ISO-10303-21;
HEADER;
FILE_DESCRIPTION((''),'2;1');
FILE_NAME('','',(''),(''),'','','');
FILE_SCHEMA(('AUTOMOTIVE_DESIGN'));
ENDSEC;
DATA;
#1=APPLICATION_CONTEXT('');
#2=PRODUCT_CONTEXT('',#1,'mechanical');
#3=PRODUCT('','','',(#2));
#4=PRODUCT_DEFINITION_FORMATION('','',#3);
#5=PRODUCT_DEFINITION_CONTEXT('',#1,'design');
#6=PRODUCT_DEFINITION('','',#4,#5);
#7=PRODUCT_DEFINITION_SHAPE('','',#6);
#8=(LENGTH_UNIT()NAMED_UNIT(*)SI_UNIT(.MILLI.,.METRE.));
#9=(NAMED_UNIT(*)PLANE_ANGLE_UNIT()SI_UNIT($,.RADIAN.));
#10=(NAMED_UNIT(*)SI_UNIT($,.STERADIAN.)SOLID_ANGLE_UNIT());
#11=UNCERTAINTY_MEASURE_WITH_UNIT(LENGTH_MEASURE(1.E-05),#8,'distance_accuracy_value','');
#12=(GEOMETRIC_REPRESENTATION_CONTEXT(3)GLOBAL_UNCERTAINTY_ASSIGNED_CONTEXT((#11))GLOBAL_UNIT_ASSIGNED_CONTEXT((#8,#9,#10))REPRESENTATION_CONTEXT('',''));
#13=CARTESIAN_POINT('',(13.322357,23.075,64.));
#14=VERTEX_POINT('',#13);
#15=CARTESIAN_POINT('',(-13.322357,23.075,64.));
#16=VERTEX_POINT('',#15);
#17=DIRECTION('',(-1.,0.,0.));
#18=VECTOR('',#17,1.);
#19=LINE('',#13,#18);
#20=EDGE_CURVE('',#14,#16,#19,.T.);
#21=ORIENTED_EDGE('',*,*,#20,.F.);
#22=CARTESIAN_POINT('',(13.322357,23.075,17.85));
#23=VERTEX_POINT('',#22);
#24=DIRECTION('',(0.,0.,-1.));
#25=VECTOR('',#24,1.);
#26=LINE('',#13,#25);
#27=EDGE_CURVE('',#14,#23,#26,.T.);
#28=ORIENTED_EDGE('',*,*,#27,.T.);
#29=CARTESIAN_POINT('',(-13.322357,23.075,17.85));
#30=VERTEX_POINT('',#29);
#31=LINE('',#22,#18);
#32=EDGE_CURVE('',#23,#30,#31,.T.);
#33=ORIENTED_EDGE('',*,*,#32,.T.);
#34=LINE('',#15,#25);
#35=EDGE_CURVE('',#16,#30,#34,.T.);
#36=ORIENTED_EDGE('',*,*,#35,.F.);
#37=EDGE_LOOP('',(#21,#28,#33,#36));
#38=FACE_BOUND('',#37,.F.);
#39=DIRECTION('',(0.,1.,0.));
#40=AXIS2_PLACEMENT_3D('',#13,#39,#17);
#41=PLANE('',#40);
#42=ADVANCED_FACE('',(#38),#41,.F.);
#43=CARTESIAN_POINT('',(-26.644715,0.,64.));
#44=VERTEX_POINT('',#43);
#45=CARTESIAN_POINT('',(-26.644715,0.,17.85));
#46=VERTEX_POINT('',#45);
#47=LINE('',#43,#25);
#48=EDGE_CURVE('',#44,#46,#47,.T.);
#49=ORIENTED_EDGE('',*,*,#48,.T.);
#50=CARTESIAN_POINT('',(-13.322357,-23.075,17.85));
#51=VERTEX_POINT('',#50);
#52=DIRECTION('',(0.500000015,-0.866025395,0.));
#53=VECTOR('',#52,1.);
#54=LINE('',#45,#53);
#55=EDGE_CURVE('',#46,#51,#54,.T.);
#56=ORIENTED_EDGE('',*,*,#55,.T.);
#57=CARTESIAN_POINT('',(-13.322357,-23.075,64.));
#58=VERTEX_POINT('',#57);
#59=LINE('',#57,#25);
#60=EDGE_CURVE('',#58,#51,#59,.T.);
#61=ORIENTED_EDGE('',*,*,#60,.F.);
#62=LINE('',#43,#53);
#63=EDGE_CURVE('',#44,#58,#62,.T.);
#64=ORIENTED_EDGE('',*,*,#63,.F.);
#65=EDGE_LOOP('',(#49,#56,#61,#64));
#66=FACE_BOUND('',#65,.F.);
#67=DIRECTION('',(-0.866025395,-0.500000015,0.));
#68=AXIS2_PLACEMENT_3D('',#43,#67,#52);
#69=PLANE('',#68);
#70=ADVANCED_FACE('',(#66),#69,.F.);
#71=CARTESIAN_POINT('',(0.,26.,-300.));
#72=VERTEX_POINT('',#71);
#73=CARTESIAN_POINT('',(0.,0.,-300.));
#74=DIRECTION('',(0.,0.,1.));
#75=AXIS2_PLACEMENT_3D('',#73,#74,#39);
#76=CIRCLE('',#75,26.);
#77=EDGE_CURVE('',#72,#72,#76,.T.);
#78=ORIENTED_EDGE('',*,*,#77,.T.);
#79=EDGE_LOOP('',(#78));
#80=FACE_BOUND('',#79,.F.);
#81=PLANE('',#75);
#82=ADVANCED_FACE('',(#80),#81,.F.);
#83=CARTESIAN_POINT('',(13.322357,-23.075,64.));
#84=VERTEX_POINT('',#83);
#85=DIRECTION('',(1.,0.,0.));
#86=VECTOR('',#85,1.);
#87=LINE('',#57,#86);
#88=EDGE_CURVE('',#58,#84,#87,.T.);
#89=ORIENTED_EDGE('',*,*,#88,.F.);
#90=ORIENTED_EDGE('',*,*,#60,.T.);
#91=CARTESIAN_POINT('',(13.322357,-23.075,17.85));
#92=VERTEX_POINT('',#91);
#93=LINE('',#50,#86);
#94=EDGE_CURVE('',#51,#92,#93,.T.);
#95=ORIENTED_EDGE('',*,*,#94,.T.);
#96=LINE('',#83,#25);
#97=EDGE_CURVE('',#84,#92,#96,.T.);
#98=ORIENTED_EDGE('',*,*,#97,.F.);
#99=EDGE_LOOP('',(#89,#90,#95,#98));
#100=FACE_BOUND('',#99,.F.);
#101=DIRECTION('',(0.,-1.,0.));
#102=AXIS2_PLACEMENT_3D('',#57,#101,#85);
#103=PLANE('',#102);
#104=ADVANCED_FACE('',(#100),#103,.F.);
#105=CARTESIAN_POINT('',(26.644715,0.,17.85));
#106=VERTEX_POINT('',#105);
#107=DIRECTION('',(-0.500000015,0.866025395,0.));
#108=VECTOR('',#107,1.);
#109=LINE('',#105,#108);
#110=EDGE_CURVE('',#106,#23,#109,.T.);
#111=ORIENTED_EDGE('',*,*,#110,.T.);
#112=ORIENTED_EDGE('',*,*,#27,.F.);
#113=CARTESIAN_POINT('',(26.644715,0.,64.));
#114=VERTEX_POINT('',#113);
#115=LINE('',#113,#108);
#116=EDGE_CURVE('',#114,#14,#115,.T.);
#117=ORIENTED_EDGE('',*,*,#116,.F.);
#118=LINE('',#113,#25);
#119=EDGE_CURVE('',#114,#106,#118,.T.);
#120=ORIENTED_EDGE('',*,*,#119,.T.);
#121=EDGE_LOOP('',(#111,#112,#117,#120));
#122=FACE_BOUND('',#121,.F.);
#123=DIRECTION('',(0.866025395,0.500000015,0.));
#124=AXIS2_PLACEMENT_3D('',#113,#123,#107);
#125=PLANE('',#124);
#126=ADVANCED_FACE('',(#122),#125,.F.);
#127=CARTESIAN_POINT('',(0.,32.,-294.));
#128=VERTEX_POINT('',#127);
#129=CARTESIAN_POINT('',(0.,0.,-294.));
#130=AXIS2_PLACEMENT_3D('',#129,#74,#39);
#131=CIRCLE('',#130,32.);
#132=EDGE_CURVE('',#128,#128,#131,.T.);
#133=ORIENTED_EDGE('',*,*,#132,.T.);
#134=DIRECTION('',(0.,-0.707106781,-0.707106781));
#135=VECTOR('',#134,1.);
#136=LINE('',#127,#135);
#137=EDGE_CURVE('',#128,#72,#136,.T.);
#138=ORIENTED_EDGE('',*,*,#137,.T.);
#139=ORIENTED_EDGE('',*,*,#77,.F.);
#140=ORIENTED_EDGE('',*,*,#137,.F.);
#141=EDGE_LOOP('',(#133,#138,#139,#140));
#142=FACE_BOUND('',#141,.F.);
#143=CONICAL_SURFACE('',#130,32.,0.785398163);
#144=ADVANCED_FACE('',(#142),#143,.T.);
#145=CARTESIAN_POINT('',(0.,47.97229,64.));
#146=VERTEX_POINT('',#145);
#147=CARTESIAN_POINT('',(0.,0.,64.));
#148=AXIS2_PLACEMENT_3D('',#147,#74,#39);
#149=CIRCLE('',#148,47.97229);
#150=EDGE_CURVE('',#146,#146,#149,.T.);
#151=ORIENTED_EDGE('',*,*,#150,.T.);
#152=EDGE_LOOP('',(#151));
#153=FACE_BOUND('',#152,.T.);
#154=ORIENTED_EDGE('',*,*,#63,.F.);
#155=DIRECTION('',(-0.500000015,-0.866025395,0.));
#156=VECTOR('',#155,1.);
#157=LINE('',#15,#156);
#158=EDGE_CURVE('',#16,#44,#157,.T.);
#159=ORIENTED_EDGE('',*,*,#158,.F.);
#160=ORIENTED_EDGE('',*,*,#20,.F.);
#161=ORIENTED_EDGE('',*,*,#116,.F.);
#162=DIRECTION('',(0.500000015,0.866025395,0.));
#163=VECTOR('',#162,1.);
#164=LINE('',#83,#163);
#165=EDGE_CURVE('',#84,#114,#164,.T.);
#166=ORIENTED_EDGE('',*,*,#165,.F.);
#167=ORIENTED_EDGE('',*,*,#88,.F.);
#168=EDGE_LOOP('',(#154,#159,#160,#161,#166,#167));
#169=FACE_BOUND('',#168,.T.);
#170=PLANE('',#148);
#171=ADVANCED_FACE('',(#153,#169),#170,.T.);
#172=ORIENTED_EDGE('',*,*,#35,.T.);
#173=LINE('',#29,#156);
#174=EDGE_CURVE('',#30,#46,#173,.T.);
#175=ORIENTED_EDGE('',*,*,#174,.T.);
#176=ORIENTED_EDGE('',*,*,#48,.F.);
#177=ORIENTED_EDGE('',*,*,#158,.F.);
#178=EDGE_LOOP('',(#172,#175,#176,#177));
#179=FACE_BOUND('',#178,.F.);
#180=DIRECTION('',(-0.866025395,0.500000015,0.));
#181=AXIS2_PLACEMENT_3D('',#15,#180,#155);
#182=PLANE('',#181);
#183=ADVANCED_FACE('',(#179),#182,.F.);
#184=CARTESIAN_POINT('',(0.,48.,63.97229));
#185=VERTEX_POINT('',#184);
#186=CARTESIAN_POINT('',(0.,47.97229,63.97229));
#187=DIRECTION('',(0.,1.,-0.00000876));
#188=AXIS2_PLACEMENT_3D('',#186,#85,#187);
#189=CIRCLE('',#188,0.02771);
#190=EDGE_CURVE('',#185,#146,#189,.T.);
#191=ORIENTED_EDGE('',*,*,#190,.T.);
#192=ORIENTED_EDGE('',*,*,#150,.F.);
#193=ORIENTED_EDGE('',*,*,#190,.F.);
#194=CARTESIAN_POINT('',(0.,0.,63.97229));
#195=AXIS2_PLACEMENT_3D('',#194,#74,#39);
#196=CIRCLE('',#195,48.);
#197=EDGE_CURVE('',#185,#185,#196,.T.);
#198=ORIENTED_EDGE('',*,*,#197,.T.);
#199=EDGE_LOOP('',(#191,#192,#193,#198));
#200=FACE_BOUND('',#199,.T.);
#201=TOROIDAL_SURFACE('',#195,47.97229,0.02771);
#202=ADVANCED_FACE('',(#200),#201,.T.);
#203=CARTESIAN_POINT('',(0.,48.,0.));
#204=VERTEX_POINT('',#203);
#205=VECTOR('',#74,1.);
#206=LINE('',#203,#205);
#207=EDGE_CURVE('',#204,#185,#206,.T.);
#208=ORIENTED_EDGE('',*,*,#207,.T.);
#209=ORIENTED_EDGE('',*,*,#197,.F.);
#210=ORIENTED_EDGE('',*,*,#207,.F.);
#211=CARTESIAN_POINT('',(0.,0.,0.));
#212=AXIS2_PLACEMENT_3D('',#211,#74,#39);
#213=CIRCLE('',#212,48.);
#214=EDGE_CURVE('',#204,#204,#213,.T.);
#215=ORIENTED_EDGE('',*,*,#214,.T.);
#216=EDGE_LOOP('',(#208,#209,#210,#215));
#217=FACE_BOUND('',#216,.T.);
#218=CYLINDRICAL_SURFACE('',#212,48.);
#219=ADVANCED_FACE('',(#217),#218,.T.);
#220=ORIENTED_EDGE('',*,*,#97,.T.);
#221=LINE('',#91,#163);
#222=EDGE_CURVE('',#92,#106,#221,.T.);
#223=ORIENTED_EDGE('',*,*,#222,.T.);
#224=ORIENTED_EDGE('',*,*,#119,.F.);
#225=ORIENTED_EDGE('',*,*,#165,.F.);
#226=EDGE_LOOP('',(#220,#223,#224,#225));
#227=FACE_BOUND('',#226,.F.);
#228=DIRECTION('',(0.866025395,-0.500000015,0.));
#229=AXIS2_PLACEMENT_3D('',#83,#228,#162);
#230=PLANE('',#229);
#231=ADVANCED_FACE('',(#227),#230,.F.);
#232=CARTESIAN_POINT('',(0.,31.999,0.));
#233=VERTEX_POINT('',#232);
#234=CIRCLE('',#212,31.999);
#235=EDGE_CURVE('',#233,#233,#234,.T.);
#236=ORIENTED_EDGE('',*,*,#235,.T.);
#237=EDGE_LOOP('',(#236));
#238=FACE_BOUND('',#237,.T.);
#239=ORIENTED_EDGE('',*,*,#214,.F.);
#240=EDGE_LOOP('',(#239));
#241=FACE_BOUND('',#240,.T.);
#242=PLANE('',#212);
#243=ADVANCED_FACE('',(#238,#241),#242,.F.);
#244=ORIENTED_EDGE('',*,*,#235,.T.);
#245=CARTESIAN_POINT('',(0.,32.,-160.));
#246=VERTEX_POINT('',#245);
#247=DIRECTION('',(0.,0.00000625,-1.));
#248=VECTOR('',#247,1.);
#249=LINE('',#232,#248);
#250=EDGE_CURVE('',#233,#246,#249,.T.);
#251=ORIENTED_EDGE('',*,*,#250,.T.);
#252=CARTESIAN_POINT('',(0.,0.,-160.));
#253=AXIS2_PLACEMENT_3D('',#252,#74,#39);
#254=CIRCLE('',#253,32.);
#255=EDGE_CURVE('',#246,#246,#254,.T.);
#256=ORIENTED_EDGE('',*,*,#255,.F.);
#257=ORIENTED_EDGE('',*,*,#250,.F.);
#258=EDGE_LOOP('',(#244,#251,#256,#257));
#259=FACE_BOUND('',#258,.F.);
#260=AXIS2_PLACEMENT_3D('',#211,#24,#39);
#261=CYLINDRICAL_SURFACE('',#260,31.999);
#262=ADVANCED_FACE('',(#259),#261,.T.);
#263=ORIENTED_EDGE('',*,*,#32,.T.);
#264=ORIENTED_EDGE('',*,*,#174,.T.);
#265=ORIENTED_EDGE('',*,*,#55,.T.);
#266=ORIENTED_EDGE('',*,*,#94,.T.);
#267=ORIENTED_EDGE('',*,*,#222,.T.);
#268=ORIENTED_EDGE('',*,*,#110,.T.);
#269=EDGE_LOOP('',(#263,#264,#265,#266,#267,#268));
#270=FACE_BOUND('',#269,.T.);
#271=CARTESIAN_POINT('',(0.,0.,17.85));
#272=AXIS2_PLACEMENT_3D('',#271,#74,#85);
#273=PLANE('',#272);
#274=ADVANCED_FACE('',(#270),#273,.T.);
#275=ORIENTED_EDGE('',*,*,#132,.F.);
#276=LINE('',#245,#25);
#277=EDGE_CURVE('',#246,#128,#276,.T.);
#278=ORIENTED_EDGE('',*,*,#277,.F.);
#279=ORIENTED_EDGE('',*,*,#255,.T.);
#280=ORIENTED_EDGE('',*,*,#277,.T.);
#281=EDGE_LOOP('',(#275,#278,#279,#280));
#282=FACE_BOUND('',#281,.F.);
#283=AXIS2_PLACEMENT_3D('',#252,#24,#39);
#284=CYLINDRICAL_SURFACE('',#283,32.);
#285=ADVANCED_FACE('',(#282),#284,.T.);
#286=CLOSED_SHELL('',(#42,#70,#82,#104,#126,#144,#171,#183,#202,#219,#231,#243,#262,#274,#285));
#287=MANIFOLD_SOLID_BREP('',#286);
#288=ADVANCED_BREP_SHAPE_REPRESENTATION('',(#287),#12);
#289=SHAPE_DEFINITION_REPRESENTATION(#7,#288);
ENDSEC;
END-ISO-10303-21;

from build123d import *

# Parameters (mm, degrees)
POCKET_DEPTH = 46.15


with BuildPart() as part:
    # Sketch → Revolve (revolve)
    with BuildSketch(Plane.YZ):
        with BuildLine():
            Line((31.999, 0), (48, 0))
            Line((48, 0), (48, 63.97229))
            ThreePointArc((48, 63.97229), (47.991884, 63.991884), (47.97229, 64))
            Line((47.97229, 64), (0, 64))
            Line((0, -300), (0, 64))
            Line((26, -300), (0, -300))
            Line((32, -294), (26, -300))
            Line((32, -160), (32, -294))
            Line((31.999, 0), (32, -160))
        make_face()
    revolve(axis=Axis((0, 0, 0), (0, 0, 1)))

    # Sketch001 → Pocket (cut)
    with BuildSketch(Plane.XY.offset(64)):
        Polygon((26.644715, 0), (13.322357, 23.075), (-13.322357, 23.075), (-26.644715, 0), (-13.322357, -23.075), (13.322357, -23.075), align=None)
    extrude(amount=-POCKET_DEPTH, mode=Mode.SUBTRACT)


solid = part.part
